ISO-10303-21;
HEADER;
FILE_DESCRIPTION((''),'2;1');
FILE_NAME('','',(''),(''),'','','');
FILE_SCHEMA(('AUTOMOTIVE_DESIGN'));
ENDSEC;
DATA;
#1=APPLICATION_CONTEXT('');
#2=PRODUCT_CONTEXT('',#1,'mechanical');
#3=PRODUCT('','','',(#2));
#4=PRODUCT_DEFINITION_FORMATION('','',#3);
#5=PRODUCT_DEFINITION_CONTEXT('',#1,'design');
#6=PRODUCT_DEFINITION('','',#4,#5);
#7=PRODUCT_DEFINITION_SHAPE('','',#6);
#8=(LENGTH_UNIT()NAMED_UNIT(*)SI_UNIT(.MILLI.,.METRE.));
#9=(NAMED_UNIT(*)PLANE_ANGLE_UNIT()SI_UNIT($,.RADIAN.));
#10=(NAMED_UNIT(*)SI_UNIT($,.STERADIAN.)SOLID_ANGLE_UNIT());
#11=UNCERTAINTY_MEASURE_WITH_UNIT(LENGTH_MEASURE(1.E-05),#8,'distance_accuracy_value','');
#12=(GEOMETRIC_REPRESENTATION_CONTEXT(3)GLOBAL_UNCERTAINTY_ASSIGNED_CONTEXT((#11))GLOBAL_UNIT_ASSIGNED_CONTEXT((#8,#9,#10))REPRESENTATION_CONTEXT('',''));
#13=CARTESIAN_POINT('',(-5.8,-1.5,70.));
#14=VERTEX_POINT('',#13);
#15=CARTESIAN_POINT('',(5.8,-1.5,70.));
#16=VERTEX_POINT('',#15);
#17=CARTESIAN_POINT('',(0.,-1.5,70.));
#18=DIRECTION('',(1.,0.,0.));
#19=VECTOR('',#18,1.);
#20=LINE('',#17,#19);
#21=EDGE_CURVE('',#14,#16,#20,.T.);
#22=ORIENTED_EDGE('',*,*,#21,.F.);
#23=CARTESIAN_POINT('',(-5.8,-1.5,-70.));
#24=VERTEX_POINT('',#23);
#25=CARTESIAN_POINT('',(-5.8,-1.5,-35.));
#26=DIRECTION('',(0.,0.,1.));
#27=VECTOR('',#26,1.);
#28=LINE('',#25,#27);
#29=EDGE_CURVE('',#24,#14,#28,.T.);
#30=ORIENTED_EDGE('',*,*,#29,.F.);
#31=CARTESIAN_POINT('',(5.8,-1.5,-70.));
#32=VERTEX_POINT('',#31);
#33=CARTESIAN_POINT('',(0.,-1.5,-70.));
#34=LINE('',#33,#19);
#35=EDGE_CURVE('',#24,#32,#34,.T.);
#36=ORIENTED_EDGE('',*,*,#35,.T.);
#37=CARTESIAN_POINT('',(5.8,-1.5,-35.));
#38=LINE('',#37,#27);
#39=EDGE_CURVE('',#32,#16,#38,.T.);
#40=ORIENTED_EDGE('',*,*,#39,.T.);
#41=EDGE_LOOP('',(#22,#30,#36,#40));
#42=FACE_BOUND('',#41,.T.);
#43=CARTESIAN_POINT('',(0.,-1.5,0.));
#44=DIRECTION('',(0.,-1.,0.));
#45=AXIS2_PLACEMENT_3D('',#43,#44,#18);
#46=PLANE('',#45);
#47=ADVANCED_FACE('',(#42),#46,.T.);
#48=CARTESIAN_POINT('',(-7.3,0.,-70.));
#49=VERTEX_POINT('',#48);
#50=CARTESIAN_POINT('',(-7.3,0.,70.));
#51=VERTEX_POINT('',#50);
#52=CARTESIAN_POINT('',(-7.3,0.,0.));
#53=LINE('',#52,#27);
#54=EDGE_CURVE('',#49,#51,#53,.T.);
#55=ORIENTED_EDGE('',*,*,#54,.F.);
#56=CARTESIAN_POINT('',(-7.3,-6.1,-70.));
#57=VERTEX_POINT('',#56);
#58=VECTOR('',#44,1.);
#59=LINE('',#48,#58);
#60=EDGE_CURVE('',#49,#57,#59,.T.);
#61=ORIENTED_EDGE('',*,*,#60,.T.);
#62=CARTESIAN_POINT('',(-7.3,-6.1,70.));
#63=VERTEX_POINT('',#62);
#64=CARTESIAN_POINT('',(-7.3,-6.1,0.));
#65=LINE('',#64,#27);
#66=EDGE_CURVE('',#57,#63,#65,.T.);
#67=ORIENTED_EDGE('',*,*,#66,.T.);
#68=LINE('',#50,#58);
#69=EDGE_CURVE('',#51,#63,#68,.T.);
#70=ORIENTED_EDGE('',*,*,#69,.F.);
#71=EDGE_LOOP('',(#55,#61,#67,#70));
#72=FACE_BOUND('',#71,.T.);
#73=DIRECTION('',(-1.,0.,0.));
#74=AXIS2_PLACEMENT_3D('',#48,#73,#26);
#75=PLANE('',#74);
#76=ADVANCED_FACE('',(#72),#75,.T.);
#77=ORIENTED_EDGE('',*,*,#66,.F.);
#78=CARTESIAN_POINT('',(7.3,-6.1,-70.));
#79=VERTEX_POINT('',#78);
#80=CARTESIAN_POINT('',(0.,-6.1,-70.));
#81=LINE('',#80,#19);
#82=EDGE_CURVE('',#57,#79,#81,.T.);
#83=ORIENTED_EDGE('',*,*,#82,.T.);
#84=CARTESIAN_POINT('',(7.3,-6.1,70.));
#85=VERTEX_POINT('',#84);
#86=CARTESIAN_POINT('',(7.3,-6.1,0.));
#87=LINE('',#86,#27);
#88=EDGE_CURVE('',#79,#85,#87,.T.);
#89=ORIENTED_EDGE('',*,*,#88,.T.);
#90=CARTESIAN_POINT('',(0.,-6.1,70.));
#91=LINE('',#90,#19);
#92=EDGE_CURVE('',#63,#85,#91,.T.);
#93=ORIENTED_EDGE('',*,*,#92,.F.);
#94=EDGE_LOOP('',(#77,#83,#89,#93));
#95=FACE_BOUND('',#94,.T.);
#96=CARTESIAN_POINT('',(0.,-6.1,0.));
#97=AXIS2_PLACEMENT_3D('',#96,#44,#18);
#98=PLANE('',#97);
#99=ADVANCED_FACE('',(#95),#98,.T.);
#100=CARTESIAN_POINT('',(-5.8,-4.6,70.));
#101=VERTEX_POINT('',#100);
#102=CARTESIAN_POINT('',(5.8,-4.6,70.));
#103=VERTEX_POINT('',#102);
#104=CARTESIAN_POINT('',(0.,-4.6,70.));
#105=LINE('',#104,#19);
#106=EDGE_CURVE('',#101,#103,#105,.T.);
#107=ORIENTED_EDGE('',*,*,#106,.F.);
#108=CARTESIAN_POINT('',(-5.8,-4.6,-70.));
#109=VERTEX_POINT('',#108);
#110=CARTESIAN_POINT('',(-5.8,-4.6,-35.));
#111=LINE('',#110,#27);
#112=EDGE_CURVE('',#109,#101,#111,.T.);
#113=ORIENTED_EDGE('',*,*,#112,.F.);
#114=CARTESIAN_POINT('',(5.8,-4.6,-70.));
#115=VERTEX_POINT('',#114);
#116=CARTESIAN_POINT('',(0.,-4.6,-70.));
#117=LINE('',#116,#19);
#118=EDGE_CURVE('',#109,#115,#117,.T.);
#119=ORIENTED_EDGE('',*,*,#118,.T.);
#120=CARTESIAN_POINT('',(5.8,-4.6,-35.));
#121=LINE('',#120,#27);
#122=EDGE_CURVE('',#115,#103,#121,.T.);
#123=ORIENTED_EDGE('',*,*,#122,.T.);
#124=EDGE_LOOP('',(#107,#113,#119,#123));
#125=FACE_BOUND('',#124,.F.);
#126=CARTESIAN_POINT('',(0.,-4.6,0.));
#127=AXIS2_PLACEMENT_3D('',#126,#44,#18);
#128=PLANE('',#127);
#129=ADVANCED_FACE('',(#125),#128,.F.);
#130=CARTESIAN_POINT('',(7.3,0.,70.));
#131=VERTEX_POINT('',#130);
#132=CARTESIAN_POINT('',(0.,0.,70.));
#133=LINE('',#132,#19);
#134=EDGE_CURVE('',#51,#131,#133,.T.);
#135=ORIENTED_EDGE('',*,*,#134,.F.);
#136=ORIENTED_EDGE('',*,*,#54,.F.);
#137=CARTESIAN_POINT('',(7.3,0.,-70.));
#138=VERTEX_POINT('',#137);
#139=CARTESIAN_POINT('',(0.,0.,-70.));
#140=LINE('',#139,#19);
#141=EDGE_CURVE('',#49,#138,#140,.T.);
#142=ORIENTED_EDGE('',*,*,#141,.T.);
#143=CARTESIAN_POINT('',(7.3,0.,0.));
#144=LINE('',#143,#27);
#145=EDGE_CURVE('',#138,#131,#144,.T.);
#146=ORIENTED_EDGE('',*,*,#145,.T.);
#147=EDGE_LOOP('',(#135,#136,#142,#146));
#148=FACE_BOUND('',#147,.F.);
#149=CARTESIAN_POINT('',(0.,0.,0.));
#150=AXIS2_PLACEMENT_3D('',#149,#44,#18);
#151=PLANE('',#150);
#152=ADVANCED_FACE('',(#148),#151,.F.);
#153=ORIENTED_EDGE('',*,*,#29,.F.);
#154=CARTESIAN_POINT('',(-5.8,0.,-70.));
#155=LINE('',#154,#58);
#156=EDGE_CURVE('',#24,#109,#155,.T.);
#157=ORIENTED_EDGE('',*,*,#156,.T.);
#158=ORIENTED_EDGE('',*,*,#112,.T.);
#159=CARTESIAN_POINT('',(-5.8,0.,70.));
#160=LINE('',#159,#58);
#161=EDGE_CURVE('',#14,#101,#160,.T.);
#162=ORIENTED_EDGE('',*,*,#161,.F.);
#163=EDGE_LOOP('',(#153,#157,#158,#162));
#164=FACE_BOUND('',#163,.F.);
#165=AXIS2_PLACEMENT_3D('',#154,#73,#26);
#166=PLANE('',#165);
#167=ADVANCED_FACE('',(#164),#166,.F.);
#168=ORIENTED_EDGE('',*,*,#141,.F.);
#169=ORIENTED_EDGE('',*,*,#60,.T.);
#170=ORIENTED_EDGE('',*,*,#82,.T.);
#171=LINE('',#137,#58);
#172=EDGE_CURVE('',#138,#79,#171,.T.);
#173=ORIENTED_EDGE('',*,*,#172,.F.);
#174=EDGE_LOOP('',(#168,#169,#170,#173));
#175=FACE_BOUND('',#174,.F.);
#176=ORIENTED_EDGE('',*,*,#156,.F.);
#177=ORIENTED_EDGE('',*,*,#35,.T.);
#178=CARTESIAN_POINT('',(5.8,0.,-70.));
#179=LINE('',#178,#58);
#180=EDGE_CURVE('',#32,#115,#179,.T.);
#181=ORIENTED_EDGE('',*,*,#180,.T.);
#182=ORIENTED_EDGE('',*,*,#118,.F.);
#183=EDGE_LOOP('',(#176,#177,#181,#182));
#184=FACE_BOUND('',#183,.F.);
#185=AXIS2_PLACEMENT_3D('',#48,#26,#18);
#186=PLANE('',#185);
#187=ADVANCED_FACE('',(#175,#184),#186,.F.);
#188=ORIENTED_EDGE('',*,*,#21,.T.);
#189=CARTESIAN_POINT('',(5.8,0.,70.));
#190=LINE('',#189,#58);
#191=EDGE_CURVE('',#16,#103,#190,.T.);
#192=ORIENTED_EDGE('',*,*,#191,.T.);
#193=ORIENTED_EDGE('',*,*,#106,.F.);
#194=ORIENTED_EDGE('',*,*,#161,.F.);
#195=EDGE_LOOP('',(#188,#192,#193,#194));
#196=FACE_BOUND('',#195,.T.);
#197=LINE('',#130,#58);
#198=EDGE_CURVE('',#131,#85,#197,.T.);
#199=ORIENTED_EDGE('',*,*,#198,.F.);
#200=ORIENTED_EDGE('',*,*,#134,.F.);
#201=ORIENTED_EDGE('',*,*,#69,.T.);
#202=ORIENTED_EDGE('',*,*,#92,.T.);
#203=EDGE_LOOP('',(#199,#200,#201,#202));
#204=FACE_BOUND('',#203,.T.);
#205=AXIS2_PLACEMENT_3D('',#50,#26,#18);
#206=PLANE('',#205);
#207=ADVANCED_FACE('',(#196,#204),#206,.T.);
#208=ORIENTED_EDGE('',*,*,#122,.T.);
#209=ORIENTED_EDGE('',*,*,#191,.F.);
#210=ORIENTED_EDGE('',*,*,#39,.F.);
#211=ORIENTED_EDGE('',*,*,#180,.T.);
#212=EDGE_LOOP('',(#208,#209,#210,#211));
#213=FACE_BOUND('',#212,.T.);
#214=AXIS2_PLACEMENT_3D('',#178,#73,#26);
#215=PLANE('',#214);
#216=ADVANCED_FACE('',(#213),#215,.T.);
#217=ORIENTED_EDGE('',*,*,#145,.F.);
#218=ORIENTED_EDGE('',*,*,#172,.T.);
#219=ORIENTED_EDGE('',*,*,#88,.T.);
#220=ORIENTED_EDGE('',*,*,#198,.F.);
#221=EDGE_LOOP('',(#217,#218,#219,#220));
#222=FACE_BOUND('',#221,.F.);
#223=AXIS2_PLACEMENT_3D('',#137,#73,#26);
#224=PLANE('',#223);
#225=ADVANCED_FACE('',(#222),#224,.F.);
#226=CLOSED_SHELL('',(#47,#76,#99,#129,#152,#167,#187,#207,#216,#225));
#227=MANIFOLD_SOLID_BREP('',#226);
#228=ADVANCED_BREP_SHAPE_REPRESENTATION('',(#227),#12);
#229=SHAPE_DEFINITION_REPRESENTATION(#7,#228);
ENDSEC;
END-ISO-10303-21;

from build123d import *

# Parameters (mm, degrees)
F0_W     = 14.6
F0_H     = 140
F1_DEPTH = 6.1
F2_T     = -1.5


with BuildPart() as f1:
    # F0 (on Front) → F1 (new body)
    with BuildSketch(Plane.XZ):
        Rectangle(F0_W, F0_H)
    extrude(amount=F1_DEPTH)

    # F2
    f2_openings = [f1.faces().sort_by_distance(p)[0] for p in [
        (0, -3.05, -70),
        (0, -3.05, 70),
    ]]
    offset(amount=F2_T, openings=f2_openings)


solid = f1.part
